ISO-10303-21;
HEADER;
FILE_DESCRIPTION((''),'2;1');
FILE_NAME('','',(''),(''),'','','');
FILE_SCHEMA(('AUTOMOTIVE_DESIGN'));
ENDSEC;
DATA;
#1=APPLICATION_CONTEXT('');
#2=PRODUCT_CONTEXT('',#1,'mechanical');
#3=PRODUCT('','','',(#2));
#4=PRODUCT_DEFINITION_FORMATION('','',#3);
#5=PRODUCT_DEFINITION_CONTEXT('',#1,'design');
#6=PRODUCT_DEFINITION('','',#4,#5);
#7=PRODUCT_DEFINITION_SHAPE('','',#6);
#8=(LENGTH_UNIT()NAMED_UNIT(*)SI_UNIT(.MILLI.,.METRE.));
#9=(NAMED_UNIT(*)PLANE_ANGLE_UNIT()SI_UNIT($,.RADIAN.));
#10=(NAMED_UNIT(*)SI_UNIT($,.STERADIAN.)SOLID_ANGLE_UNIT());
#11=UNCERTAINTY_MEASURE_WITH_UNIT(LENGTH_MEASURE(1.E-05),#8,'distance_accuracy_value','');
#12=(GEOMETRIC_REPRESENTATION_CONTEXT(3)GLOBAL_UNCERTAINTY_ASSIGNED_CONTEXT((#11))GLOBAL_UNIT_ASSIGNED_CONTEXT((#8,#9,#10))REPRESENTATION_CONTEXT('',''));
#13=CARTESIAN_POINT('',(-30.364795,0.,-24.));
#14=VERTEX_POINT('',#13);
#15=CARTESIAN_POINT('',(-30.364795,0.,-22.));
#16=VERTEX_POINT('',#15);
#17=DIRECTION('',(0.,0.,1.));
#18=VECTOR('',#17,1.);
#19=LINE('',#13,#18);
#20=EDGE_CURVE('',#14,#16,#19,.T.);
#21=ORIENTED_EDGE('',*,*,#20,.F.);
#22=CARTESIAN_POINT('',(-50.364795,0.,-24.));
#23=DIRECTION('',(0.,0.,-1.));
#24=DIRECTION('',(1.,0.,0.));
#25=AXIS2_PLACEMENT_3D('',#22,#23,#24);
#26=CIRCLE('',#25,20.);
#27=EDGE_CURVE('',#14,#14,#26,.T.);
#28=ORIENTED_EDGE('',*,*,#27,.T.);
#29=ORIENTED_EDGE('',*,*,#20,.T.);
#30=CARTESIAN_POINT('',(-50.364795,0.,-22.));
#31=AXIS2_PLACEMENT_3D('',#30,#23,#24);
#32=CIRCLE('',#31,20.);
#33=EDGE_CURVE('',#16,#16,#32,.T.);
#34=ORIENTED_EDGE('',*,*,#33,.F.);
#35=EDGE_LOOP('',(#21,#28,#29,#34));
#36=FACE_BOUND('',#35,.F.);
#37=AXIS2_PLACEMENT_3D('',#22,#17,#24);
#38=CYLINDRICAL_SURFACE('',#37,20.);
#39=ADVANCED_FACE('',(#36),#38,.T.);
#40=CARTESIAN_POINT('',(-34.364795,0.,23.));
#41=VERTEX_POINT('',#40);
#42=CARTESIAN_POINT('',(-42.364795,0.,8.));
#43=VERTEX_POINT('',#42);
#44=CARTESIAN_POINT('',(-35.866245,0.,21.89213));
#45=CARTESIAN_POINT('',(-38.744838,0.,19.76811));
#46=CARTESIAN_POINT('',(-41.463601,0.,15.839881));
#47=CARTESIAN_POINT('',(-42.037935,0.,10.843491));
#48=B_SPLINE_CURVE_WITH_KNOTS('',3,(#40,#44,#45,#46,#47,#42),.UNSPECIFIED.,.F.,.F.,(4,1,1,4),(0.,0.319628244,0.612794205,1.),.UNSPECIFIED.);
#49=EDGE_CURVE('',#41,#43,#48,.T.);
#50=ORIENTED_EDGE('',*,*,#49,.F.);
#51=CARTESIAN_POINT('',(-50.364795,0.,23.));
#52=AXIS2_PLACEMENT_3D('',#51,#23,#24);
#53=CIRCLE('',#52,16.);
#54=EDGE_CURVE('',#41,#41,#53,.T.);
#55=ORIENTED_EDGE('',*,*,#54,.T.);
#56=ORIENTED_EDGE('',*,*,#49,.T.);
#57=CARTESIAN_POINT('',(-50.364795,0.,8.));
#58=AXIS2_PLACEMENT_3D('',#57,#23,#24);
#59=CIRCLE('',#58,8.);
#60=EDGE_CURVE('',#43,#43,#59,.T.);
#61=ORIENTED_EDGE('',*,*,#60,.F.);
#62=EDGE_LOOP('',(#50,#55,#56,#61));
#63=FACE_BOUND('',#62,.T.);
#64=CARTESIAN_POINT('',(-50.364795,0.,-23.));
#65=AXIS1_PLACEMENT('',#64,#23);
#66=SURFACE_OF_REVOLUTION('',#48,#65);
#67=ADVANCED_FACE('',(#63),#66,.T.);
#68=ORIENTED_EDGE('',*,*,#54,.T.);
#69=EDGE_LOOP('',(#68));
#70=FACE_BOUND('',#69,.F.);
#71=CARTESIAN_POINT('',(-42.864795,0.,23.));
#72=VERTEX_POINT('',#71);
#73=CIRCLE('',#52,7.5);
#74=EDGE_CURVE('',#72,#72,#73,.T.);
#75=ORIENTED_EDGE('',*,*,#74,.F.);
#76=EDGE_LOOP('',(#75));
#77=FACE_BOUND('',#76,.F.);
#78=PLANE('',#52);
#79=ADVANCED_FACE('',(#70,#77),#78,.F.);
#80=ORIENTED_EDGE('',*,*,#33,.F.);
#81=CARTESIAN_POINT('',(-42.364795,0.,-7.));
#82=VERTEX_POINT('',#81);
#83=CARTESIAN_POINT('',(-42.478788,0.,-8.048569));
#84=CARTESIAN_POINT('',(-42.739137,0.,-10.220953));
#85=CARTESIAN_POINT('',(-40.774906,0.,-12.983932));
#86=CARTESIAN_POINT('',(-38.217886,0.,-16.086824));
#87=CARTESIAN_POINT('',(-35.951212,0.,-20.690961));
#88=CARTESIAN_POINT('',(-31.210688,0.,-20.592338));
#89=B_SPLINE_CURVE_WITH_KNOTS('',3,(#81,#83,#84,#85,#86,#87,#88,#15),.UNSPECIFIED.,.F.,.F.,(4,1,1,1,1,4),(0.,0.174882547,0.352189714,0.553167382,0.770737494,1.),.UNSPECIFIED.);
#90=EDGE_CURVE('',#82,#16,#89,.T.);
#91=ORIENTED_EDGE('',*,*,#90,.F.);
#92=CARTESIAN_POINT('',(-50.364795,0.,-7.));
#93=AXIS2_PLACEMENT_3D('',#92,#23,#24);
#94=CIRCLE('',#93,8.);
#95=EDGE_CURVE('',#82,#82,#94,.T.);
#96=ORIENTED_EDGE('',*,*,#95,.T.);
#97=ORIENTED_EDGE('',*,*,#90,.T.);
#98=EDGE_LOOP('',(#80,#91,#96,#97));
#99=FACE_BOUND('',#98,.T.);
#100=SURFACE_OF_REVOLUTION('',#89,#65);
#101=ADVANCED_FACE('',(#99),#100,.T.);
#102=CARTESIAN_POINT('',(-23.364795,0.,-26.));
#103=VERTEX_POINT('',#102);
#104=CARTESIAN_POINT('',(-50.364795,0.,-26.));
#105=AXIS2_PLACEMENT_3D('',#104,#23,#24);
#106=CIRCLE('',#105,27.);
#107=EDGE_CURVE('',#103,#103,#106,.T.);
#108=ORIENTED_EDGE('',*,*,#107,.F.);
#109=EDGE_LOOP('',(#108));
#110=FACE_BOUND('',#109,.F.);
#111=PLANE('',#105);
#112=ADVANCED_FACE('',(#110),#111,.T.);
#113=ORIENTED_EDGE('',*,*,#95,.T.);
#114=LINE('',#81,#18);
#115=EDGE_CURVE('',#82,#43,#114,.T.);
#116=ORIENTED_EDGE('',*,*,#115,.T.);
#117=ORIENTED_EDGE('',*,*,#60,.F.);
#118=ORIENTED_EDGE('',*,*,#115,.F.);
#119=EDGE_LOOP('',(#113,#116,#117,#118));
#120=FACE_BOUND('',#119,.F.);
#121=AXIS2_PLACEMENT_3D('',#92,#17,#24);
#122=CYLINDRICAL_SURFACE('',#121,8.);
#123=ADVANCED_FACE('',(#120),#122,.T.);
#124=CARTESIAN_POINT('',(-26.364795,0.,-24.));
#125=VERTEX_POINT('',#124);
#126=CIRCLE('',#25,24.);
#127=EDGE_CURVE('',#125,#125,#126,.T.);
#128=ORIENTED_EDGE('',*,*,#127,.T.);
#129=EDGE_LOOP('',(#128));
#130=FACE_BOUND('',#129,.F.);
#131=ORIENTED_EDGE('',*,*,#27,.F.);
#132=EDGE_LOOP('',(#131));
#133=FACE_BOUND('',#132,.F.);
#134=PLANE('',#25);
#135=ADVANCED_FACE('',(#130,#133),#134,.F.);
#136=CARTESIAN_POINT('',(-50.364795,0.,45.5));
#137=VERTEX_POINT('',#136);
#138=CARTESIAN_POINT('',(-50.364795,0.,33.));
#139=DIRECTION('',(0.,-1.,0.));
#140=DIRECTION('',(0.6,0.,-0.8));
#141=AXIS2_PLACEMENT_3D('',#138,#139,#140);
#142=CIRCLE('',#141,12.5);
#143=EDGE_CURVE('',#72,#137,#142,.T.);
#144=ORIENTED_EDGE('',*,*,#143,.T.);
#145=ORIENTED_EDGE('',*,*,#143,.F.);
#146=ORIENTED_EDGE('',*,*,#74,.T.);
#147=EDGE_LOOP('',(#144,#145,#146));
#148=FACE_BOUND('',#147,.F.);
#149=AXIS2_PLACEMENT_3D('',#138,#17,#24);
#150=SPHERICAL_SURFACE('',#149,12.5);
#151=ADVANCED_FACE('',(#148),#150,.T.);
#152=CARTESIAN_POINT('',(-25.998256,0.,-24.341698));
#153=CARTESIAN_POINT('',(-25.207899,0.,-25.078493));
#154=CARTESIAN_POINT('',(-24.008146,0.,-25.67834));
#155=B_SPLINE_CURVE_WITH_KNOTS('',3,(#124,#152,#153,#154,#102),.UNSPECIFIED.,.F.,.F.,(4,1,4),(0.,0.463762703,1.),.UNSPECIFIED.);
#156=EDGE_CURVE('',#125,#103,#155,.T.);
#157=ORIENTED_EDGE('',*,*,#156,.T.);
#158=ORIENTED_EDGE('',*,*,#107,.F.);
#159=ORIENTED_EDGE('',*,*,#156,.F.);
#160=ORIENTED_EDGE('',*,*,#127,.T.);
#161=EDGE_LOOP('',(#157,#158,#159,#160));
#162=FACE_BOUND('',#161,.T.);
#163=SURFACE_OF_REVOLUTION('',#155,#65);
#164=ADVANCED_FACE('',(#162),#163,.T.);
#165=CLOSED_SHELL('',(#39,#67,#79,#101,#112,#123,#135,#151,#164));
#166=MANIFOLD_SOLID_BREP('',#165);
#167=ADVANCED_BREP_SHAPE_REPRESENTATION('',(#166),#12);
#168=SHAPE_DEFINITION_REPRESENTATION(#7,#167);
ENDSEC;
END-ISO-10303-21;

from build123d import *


with BuildPart() as f1:
    # F0 (on Front) → F1 (revolve)
    with BuildSketch(Plane.XZ):
        with BuildLine():
            Line((-34.3647946566, 23), (-42.8647946566, 23))
            ThreePointArc((-42.8647946566, 23), (-38.506253431, 36.9528470752), (-50.3647946566, 45.5))
            Line((-50.3647946566, 45.5), (-50.3647946566, 33))
            Line((-50.3647946566, 33), (-50.3647946566, 23))
            Line((-50.3647946566, 23), (-50.3647946566, 20.5))
            Line((-50.3647946566, 20.5), (-50.3647946566, 8))
            Line((-50.3647946566, 8), (-50.3647946566, -7))
            Line((-50.3647946566, -7), (-50.3647946566, -22))
            Line((-50.3647946566, -22), (-50.3647946566, -24))
            Line((-50.3647946566, -24), (-50.3647946566, -26))
            Line((-50.3647946566, -26), (-23.3647946566, -26))
            add(Edge.make_bspline(
                [(-26.3647946566, -24), (-25.9982562649, -24.3416980681), (-25.2078986327, -25.0784931272), (-24.0081464983, -25.678339827), (-23.3647946566, -26)],
                knots=[0, 0, 0, 0, 0.4637627029, 1, 1, 1, 1], degree=3))
            Line((-26.3647946566, -24), (-30.3647946566, -24))
            Line((-30.3647946566, -24), (-30.3647946566, -22))
            add(Edge.make_bspline(
                [(-42.3647946566, -7), (-42.4787878391, -8.0485692572), (-42.7391371687, -10.2209526594), (-40.7749060754, -12.9839321181), (-38.217886262, -16.0868243739), (-35.9512122605, -20.6909610356), (-31.2106876282, -20.5923382916), (-30.3647946566, -22)],
                knots=[0, 0, 0, 0, 0.1748825467, 0.3521897138, 0.5531673818, 0.7707374939, 1, 1, 1, 1], degree=3))
            Line((-42.3647946566, -7), (-42.3647946566, 8))
            add(Edge.make_bspline(
                [(-34.3647946566, 23), (-35.8662446943, 21.8921295755), (-38.7448384991, 19.7681102207), (-41.4636005123, 15.8398809391), (-42.0379354089, 10.8434911632), (-42.3647946566, 8)],
                knots=[0, 0, 0, 0, 0.3196282435, 0.6127942046, 1, 1, 1, 1], degree=3))
        make_face()
    revolve(axis=Axis((-50.3647946566, 0, -23), (0, 0, -1)))


solid = f1.part
